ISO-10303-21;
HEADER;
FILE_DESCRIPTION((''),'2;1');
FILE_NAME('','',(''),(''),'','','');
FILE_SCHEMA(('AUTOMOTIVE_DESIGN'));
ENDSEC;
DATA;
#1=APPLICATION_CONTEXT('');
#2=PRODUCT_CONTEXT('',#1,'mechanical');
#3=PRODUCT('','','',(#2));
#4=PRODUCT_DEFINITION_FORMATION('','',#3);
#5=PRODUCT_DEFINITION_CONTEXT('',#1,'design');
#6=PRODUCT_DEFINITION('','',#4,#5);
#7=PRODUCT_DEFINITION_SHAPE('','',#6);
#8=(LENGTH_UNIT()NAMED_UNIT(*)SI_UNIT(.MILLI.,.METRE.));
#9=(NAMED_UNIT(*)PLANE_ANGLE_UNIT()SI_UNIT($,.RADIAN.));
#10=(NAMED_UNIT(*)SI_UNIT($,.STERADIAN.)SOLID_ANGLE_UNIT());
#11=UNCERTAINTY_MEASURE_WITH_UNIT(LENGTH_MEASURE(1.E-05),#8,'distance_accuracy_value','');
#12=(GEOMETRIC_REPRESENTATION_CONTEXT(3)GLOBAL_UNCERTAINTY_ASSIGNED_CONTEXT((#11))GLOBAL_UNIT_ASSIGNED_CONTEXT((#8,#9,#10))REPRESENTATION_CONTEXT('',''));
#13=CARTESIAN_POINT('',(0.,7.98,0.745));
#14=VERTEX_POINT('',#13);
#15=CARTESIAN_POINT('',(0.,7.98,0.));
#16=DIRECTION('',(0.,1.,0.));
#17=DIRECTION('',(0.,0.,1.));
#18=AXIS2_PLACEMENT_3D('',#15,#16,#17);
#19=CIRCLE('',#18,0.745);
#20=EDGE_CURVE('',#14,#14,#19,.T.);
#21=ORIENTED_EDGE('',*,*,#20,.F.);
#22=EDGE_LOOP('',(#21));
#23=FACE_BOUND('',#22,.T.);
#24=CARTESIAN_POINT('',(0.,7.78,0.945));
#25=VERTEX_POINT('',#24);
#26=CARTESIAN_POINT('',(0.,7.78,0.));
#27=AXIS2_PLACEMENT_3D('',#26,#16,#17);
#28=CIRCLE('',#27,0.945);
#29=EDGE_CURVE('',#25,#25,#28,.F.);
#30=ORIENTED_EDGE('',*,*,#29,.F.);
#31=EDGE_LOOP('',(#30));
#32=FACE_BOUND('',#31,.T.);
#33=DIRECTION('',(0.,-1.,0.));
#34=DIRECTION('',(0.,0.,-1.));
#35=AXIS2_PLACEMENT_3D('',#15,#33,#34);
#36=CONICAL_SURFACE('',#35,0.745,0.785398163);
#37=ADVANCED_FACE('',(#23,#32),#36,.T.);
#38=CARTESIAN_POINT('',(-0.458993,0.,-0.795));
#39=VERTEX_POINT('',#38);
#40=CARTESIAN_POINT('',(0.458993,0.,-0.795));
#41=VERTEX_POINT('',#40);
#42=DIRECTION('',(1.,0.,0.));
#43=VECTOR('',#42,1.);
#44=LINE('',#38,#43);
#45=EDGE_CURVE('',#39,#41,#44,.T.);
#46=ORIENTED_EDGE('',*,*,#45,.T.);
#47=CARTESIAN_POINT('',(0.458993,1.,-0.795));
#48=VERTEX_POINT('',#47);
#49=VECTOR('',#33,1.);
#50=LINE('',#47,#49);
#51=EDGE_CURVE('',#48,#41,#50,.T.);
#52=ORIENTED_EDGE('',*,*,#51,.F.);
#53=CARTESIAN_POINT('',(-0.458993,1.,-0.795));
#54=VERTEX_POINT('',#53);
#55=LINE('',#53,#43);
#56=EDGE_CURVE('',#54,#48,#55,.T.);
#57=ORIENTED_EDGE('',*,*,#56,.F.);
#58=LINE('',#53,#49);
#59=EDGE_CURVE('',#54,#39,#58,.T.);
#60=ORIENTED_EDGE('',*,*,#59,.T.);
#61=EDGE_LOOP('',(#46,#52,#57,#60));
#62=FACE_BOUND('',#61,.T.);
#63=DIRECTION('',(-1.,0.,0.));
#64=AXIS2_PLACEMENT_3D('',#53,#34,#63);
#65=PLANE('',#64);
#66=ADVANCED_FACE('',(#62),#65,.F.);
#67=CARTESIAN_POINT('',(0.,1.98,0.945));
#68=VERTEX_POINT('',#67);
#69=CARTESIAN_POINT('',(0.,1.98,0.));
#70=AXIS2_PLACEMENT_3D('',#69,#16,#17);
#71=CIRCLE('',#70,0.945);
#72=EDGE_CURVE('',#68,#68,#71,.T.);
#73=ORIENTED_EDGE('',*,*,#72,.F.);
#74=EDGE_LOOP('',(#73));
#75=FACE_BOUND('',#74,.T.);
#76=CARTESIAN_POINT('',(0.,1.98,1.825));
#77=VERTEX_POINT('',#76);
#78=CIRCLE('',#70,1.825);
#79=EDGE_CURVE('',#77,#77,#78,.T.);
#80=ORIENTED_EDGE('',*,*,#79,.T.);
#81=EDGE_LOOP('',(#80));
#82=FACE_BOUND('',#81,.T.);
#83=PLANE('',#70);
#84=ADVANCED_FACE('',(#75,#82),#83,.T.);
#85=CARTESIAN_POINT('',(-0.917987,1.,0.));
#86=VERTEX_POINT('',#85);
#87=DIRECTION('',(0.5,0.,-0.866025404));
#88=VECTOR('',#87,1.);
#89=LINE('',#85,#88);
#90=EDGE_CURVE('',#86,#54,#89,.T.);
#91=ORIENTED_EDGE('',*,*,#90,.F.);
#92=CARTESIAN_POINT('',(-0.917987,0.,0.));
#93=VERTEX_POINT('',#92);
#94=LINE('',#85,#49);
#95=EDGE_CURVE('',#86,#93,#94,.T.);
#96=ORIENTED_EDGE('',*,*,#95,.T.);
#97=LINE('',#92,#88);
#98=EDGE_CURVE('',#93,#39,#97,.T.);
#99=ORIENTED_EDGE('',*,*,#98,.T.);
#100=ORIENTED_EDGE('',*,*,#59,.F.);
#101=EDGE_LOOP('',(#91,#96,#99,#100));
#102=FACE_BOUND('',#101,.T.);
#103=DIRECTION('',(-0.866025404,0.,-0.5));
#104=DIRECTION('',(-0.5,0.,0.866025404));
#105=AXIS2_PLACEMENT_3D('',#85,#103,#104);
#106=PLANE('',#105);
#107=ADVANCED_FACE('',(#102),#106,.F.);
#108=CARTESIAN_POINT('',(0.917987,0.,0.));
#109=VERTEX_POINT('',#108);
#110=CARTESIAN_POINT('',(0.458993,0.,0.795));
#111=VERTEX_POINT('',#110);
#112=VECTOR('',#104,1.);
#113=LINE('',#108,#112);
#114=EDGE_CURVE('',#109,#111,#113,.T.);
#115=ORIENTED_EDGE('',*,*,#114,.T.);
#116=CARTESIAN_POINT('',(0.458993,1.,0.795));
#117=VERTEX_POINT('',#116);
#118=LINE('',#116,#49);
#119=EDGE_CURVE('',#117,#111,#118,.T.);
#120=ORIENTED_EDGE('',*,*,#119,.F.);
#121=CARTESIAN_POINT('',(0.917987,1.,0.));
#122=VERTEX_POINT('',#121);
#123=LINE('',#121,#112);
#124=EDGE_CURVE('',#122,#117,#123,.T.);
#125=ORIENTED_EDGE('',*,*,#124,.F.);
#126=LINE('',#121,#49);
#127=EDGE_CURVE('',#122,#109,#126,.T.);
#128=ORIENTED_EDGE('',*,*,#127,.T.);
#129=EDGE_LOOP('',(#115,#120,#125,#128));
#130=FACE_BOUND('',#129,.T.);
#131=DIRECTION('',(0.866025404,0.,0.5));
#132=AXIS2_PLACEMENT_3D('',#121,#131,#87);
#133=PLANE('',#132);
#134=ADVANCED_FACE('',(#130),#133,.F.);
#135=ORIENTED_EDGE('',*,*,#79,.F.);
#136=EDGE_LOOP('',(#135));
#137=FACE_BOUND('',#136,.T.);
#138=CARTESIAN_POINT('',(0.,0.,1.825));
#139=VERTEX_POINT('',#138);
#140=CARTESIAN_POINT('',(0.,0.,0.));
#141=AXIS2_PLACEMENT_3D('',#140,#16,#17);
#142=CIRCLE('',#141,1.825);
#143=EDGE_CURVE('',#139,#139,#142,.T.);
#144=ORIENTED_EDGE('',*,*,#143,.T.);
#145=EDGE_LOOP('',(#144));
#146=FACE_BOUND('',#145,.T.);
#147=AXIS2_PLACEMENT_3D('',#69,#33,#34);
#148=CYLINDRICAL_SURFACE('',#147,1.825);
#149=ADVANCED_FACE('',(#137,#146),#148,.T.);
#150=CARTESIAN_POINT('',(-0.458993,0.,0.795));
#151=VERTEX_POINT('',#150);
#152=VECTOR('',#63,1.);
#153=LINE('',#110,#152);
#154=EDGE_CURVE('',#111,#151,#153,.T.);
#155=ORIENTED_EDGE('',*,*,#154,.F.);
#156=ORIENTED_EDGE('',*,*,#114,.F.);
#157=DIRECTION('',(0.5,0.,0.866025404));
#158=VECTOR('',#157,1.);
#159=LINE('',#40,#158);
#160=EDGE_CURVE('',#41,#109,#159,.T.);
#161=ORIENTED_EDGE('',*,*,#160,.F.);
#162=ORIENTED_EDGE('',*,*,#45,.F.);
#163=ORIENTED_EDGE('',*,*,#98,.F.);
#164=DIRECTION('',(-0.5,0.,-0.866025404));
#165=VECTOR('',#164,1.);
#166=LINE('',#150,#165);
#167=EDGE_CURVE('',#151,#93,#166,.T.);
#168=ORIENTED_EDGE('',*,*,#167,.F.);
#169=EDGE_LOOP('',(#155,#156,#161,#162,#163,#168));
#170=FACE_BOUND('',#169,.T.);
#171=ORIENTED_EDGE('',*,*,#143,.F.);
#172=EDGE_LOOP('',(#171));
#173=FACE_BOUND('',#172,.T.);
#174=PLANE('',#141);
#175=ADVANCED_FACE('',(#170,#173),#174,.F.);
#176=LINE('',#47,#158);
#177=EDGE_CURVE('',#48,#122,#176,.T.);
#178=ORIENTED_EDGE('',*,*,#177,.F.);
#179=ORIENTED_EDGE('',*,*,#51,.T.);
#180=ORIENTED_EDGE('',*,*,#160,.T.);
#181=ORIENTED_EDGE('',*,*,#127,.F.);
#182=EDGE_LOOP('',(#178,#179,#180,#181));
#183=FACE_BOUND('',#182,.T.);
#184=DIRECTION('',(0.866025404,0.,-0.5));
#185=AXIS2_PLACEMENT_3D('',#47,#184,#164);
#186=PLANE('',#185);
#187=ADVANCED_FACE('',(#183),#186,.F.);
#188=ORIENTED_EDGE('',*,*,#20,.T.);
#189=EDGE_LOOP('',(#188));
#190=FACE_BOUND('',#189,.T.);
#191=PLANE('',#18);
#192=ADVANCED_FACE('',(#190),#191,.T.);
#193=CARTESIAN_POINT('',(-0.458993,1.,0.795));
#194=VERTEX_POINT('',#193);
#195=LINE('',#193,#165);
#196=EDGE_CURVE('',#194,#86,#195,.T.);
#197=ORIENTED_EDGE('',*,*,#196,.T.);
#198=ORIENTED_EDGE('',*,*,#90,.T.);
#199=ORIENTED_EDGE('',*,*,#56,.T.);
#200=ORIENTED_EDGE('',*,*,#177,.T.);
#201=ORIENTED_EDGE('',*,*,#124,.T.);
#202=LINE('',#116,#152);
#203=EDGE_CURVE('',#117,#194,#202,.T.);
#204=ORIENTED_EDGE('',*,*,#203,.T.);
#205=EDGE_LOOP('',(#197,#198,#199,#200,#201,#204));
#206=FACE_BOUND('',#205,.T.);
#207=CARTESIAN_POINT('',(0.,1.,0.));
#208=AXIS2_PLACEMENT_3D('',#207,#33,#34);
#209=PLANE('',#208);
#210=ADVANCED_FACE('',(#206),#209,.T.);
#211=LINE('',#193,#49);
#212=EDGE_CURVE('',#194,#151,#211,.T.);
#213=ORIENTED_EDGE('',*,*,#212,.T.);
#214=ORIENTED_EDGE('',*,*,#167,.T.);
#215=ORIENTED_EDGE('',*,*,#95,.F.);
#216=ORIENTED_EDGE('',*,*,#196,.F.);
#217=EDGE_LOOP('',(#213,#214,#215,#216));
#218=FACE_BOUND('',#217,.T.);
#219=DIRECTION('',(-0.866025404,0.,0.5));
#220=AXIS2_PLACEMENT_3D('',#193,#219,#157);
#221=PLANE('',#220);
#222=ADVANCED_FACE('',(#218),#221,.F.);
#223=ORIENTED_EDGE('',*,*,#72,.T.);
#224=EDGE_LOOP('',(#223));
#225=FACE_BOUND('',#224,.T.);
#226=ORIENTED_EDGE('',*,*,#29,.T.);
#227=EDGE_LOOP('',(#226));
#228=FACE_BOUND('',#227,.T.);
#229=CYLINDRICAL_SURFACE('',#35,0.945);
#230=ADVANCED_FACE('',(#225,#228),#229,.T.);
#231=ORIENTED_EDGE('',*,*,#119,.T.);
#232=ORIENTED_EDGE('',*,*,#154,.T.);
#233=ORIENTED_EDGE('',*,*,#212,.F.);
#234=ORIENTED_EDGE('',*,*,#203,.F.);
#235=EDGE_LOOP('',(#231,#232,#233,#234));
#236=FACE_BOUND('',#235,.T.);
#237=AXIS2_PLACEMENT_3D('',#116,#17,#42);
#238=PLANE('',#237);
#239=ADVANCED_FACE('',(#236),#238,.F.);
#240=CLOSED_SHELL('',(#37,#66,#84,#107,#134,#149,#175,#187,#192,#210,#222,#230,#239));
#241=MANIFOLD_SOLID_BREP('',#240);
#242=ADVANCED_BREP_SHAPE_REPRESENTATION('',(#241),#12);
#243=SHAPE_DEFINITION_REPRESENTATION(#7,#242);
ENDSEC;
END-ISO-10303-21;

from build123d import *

# Parameters (mm, degrees)
SKETCH1_R           = 1.825
BOSS_EXTRUDE1_DEPTH = 1.98
SKETCH2_R           = 0.945
BOSS_EXTRUDE2_DEPTH = 6
CUT_EXTRUDE1_DEPTH  = 1
CHAMFER1_SIZE       = 0.2


with BuildPart() as part:
    # Sketch1 → Boss-Extrude1 (new body)
    with BuildSketch(Plane(origin=(0, 0, 0), x_dir=(1, 0, 0), z_dir=(0, 1, 0))):
        Circle(SKETCH1_R)
    extrude(amount=BOSS_EXTRUDE1_DEPTH)

    # Sketch2 → Boss-Extrude2 (add)
    with BuildSketch(Plane(origin=(0, 1.98, 0), x_dir=(1, 0, 0), z_dir=(0, 1, 0))):
        Circle(SKETCH2_R)
    extrude(amount=BOSS_EXTRUDE2_DEPTH)

    # Sketch3 → Cut-Extrude1 (cut)
    with BuildSketch(Plane.XZ):
        Polygon((0.458993464, -0.795), (0.917986928, 0), (0.458993464, 0.795), (-0.458993464, 0.795), (-0.917986928, 0), (-0.458993464, -0.795), align=None)
    extrude(amount=-CUT_EXTRUDE1_DEPTH, mode=Mode.SUBTRACT)

    # Chamfer1
    chamfer1_edges = [part.edges().sort_by_distance(p)[0] for p in [
        (-0.945, 7.98, 0),
    ]]
    chamfer(chamfer1_edges, length=CHAMFER1_SIZE)


solid = part.part
